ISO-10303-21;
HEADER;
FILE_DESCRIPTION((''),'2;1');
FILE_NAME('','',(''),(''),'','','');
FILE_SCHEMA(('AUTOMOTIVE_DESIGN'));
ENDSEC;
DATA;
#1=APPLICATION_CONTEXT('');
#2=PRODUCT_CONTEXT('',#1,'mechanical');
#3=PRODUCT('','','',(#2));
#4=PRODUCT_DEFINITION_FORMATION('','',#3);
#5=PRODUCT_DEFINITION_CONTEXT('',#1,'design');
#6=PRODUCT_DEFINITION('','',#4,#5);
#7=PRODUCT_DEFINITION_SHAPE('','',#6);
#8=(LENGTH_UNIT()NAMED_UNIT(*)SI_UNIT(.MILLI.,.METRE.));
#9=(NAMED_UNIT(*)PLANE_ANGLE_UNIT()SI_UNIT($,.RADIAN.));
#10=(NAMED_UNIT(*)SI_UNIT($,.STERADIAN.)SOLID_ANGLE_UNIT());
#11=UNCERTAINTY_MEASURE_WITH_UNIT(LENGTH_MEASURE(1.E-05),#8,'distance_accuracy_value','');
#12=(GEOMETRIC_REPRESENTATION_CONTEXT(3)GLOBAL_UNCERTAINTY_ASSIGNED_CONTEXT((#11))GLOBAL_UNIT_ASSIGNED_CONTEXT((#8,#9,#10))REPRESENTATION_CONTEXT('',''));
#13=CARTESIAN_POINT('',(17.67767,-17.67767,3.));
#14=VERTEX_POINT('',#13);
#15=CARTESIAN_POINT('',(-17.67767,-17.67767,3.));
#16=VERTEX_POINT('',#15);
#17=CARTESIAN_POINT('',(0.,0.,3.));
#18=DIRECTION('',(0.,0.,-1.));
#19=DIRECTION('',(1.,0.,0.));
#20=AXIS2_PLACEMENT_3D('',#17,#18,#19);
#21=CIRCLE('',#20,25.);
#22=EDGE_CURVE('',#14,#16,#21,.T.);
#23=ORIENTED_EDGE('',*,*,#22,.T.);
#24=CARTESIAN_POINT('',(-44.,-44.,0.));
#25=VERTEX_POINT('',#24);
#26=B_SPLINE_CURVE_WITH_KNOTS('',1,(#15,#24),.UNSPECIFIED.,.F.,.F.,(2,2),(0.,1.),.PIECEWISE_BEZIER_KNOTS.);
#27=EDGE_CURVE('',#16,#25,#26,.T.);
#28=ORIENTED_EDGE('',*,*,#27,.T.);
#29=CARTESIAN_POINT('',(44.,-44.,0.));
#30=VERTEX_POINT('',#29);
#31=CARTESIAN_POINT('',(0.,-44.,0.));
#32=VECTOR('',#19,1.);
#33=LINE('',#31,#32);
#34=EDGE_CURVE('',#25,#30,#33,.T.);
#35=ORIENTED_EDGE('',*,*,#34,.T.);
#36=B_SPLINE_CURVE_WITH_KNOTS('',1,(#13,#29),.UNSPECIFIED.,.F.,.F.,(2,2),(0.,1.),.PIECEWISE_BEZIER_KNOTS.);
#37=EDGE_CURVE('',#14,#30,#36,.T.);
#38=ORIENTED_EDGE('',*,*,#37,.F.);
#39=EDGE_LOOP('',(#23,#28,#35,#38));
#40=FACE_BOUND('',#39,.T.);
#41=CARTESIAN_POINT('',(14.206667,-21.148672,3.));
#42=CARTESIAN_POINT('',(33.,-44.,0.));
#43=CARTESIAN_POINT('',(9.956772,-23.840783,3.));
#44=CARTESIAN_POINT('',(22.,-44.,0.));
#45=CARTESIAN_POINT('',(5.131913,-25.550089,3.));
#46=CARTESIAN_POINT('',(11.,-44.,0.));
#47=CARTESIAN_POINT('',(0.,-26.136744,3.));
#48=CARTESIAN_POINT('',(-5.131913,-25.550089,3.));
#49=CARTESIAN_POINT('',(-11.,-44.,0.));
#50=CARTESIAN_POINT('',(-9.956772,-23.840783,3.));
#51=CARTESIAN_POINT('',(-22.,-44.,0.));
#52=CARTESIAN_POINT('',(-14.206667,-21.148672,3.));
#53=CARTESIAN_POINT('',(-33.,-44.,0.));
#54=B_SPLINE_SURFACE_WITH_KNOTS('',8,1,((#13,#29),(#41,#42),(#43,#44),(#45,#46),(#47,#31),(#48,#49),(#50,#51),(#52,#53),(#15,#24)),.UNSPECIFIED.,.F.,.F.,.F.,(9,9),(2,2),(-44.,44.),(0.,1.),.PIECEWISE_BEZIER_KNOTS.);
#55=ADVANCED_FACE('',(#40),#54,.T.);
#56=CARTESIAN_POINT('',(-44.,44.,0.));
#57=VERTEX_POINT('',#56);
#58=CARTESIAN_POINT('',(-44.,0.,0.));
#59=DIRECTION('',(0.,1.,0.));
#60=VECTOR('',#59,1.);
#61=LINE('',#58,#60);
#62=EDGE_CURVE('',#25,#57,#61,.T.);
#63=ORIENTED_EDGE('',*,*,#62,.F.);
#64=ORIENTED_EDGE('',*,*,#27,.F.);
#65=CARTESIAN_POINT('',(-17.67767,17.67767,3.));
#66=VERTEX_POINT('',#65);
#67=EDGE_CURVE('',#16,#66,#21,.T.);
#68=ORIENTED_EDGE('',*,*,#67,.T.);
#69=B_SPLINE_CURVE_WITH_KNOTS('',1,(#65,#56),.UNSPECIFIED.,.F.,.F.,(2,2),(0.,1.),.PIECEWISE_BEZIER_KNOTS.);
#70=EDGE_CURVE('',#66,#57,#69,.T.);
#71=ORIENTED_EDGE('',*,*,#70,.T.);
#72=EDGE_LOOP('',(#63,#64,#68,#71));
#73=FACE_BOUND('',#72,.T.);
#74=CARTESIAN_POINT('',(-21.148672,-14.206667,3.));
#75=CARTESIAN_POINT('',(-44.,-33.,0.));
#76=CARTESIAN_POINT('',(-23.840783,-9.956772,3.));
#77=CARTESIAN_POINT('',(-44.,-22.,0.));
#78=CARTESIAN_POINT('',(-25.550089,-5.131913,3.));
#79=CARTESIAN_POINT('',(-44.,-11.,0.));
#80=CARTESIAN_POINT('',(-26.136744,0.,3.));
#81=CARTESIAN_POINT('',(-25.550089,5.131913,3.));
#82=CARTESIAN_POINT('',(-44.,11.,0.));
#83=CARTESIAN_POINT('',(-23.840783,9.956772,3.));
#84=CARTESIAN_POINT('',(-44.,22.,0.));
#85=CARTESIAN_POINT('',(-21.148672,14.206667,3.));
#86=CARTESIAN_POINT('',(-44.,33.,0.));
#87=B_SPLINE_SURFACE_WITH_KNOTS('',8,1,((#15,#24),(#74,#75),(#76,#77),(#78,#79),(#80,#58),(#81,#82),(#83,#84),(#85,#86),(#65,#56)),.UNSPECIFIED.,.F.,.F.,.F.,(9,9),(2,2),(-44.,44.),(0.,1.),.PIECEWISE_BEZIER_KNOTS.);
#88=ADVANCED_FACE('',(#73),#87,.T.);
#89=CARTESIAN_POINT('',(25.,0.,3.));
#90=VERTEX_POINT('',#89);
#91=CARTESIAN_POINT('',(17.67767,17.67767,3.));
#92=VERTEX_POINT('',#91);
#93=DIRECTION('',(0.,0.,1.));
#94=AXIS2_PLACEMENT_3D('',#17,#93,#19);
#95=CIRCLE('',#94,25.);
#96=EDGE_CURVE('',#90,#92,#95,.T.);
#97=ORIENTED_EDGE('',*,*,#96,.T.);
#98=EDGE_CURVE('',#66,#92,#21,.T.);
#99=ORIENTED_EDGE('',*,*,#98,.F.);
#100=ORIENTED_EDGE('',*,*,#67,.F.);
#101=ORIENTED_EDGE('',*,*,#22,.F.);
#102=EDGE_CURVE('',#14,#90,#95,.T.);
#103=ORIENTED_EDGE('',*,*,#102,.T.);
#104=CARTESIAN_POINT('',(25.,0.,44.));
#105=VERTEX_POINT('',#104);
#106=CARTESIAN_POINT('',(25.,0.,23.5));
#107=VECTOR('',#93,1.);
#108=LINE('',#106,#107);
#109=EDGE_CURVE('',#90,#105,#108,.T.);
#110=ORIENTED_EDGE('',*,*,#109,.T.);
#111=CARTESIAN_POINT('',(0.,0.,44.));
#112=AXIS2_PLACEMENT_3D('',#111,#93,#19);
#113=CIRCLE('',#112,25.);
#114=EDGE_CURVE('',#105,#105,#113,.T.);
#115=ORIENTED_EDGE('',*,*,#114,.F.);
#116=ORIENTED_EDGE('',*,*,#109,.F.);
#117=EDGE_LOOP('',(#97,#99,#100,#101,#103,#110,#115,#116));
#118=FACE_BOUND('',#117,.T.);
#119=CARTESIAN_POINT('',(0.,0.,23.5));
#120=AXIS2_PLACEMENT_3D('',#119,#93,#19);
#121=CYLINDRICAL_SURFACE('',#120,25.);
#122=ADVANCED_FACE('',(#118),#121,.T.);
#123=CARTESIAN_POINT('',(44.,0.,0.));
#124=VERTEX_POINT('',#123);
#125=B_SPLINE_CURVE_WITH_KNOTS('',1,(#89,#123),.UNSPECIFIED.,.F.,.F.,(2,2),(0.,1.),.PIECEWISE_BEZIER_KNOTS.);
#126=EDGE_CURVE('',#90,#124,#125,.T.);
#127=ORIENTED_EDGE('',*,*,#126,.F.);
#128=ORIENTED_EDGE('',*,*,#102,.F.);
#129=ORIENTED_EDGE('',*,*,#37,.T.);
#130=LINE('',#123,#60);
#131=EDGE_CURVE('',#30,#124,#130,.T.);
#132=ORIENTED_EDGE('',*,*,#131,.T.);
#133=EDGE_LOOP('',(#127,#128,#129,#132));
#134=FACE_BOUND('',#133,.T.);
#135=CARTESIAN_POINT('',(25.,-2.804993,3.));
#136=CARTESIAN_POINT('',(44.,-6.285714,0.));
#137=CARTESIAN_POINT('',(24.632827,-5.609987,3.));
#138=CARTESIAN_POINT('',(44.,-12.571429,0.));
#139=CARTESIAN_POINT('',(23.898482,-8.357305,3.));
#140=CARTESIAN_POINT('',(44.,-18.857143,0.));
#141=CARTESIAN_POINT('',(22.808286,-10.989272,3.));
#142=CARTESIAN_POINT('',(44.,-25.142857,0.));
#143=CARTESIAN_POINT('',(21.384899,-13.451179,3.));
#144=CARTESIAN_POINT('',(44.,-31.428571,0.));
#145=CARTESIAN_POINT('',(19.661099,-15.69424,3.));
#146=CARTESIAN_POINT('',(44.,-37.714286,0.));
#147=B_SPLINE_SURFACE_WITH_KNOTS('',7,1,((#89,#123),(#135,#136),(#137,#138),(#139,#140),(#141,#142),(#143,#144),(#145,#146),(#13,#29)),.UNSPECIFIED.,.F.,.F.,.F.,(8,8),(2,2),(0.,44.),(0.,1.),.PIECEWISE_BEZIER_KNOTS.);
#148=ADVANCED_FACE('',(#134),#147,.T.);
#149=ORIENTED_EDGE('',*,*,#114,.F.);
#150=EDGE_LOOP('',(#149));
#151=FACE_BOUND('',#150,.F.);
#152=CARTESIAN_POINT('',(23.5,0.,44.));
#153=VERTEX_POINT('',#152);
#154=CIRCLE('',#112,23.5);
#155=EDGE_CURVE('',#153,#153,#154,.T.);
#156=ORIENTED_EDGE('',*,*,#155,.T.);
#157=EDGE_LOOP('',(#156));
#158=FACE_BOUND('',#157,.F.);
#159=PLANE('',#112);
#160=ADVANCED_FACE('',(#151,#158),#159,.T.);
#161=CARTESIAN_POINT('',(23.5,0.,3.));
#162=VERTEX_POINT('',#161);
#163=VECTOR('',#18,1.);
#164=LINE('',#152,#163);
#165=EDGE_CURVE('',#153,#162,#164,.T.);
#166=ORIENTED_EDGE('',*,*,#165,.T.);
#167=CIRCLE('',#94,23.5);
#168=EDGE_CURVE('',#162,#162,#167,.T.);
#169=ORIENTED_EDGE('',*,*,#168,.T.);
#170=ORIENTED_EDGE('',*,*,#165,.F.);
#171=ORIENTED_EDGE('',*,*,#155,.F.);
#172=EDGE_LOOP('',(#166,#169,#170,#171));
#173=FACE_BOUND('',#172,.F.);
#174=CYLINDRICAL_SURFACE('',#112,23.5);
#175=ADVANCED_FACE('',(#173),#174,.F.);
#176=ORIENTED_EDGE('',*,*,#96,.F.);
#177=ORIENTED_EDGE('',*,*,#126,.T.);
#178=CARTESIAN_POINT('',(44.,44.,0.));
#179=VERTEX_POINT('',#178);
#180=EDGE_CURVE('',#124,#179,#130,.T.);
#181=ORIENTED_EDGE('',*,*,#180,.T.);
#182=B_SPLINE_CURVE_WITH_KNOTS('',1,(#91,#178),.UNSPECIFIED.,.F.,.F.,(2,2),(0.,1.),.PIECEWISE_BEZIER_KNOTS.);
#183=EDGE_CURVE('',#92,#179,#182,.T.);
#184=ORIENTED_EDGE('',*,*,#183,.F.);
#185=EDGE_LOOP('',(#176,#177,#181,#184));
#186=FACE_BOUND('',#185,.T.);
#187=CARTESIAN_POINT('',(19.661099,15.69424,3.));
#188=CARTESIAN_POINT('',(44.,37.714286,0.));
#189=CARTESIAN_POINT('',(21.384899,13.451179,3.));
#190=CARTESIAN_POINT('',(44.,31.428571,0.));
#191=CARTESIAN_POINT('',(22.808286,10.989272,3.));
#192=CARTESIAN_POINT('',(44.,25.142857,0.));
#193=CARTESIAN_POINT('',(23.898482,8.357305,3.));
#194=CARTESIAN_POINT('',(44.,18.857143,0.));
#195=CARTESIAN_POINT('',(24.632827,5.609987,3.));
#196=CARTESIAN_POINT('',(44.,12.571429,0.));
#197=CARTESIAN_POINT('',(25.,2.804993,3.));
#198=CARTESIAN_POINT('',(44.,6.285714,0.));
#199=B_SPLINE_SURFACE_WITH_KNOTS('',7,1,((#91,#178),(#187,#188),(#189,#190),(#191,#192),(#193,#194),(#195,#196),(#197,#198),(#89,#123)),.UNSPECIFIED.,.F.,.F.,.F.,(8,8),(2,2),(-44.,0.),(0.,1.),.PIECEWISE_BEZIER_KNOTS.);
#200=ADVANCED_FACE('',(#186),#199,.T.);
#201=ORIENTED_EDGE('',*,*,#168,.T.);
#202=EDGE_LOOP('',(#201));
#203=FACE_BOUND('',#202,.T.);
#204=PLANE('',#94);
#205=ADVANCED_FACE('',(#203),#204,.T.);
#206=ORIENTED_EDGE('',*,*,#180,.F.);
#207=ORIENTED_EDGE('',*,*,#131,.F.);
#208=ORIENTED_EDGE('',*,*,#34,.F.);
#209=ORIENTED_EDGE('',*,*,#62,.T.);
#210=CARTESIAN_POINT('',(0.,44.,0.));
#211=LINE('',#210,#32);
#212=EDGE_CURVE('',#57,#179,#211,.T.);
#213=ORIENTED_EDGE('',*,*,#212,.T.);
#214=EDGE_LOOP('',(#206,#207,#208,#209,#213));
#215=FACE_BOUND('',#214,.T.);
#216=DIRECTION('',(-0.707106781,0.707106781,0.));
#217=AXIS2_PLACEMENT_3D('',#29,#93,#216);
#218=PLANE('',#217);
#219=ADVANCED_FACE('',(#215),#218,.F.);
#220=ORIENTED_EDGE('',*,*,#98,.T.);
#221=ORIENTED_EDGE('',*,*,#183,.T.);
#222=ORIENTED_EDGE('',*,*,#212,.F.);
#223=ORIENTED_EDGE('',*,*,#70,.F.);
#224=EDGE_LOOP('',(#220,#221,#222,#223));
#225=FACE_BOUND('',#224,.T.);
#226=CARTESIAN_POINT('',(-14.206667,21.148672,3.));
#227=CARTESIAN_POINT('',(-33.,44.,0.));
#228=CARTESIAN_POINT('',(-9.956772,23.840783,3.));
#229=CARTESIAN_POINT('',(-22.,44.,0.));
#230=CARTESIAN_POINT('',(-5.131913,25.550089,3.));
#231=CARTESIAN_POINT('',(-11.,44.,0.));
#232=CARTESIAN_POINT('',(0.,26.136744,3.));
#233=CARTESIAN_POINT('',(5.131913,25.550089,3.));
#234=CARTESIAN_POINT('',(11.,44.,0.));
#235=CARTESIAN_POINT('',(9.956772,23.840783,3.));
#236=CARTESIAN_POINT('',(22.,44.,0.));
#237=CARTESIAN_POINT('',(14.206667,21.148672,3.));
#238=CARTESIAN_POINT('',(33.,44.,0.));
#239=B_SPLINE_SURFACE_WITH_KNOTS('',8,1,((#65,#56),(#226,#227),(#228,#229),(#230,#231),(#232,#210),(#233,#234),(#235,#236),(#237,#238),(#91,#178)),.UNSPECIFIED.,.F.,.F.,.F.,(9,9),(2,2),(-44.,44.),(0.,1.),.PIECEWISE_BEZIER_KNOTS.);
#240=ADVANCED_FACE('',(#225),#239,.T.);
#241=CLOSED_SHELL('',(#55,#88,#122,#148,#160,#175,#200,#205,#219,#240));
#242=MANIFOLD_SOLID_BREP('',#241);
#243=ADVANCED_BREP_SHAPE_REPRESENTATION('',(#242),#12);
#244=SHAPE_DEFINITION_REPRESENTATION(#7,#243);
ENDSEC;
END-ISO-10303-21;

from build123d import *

# Parameters (mm, degrees)
F0_R     = 44
F1_DEPTH = 3
F3_W     = 25
F3_H     = 41
F6_R     = 25
F5_W     = 88
F5_H     = 88
F8_R     = 23.5
F9_DEPTH = 41


with BuildPart() as f1:
    # F0 (on Top) → F1 (new body)
    with BuildSketch(Plane.XY):
        Circle(F0_R)
    extrude(amount=F1_DEPTH)


with BuildPart() as f4:
    # F3 (on Front) → F4 (revolve)
    with BuildSketch(Plane.XZ):
        with Locations((12.5, 23.5)):
            Rectangle(F3_W, F3_H)
    revolve(axis=Axis((0, 0, 22), (0, 0, 1)))

    # F6 (on face) → F7 section 0
    with BuildSketch(Plane(origin=(0, 0, 3), x_dir=(1, 0, 0), z_dir=(0, 0, -1))):
        Circle(F6_R)
    # F5 (on Top) → F7 section 1
    with BuildSketch(Plane.XY):
        Rectangle(F5_W, F5_H)
    loft()

    # F8 (on face) → F9 (cut)
    with BuildSketch(Plane.XY.offset(44)):
        Circle(F8_R)
    extrude(amount=-F9_DEPTH, mode=Mode.SUBTRACT)


solid = f4.part
